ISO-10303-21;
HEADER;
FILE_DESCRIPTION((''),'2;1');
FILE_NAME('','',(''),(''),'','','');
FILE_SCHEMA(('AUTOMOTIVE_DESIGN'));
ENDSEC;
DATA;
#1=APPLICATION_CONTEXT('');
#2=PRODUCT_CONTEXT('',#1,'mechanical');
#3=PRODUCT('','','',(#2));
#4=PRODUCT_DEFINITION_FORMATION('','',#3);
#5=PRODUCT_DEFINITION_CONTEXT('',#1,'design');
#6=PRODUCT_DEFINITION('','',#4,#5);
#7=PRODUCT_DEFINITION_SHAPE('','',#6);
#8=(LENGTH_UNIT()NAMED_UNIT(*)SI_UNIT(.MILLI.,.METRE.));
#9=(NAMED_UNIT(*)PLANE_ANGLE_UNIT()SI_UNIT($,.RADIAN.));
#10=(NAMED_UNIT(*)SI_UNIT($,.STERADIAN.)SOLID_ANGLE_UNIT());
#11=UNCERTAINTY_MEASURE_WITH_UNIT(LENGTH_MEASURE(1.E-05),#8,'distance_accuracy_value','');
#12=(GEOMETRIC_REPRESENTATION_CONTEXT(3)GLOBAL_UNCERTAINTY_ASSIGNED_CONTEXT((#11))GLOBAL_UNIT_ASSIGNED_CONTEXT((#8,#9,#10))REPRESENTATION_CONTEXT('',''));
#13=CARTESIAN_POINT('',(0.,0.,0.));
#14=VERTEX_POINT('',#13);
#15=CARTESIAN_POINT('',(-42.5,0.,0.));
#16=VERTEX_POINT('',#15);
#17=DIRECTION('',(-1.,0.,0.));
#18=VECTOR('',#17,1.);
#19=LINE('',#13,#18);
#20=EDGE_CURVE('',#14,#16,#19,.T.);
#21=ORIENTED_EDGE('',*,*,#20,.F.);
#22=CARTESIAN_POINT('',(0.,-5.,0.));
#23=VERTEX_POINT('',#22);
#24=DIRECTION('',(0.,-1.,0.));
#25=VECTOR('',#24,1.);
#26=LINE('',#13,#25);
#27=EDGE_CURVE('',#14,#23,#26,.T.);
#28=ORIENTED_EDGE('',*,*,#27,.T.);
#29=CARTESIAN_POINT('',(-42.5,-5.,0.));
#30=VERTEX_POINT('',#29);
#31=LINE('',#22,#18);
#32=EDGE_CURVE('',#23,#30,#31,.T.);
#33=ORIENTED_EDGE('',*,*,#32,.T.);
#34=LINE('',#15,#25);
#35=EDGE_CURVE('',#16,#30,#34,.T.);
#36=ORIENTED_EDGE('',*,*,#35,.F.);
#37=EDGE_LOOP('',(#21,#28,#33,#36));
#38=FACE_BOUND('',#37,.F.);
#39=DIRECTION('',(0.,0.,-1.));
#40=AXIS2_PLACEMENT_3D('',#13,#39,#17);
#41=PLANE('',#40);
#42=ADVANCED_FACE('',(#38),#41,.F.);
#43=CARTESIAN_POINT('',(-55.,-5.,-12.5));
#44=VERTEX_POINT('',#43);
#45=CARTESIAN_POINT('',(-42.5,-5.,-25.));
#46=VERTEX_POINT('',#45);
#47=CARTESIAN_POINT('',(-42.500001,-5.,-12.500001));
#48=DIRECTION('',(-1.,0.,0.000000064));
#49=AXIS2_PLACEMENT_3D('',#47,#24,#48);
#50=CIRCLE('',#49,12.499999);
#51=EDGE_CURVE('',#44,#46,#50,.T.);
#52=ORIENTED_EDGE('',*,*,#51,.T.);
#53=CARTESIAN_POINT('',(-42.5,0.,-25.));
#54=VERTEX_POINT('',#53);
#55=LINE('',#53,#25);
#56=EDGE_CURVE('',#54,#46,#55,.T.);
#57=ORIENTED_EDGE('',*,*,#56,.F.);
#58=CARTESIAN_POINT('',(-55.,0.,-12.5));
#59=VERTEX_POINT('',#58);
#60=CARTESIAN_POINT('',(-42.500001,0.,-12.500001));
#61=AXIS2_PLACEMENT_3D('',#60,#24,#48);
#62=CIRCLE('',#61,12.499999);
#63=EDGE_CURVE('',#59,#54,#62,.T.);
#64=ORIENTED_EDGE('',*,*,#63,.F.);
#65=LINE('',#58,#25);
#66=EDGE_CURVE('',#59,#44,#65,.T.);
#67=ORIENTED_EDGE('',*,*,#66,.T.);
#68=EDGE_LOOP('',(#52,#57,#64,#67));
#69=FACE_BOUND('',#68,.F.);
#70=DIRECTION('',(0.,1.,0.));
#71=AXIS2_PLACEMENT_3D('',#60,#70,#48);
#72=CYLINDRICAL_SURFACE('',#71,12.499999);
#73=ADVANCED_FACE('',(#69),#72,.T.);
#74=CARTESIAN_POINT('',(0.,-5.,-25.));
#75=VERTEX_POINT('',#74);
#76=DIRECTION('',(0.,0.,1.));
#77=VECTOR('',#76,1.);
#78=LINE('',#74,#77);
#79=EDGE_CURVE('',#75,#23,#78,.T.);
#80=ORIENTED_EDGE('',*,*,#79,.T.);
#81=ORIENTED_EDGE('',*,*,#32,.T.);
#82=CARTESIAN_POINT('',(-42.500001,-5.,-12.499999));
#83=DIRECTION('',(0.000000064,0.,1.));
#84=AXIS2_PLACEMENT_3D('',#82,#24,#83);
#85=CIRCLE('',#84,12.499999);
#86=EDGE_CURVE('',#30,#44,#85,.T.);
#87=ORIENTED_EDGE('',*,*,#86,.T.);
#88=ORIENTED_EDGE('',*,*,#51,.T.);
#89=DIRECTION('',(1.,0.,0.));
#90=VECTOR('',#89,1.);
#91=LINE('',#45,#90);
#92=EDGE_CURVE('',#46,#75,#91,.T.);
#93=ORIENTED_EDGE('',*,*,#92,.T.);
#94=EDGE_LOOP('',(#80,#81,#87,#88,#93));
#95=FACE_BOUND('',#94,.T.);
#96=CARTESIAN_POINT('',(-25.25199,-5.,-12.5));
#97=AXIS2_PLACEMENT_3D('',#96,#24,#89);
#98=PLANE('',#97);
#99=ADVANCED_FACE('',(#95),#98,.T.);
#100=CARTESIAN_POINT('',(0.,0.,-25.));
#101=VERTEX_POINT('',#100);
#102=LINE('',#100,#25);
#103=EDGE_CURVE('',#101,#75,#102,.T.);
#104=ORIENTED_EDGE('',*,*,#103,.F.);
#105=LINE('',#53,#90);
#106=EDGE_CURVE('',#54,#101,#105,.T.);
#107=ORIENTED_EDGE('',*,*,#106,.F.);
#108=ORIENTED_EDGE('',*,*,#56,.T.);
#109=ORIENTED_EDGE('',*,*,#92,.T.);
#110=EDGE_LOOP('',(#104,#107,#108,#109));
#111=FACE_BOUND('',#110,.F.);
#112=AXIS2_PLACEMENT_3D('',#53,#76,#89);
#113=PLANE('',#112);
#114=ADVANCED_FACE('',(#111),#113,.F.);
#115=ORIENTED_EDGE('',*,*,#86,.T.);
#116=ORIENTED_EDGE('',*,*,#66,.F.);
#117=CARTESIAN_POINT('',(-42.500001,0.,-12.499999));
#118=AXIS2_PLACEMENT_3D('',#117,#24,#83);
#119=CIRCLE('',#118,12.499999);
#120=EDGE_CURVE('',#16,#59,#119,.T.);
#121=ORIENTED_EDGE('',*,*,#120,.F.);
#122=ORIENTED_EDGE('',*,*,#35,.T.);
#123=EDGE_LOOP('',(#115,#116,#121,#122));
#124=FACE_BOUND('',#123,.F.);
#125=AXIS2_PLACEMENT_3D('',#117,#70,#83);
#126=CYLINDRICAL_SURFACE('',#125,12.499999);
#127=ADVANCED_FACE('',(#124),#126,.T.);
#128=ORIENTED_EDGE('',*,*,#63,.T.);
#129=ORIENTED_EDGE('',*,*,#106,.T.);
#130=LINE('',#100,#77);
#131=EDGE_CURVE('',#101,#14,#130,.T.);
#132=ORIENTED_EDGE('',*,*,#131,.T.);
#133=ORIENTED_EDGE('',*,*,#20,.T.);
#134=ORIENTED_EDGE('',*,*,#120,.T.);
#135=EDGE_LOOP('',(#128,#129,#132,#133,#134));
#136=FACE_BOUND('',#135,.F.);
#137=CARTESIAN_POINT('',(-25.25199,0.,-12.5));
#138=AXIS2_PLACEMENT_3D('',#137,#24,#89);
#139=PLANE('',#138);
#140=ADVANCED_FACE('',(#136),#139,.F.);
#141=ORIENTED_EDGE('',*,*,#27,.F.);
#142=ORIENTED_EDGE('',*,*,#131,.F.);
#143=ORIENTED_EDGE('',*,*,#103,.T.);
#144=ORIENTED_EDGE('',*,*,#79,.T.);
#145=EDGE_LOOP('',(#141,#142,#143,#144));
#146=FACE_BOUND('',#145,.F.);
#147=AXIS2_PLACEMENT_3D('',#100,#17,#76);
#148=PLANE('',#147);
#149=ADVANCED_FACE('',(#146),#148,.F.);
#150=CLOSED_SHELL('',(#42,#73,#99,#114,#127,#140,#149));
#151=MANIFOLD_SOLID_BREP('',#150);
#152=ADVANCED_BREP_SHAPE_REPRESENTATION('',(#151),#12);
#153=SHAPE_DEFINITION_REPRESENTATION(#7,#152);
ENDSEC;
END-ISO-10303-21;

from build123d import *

# Parameters (mm, degrees)
F1_DEPTH = 5


with BuildPart() as f1:
    # F0 (on Front) → F1 (new body)
    with BuildSketch(Plane.XZ):
        with BuildLine():
            Line((0, 0), (-42.5, 0))
            ThreePointArc((-42.5, 0), (-51.338835, -3.661165), (-55, -12.5))
            ThreePointArc((-55, -12.5), (-51.338835, -21.338835), (-42.5, -25))
            Line((-42.5, -25), (0, -25))
            Line((0, -25), (0, 0))
        make_face()
    extrude(amount=F1_DEPTH)


solid = f1.part
